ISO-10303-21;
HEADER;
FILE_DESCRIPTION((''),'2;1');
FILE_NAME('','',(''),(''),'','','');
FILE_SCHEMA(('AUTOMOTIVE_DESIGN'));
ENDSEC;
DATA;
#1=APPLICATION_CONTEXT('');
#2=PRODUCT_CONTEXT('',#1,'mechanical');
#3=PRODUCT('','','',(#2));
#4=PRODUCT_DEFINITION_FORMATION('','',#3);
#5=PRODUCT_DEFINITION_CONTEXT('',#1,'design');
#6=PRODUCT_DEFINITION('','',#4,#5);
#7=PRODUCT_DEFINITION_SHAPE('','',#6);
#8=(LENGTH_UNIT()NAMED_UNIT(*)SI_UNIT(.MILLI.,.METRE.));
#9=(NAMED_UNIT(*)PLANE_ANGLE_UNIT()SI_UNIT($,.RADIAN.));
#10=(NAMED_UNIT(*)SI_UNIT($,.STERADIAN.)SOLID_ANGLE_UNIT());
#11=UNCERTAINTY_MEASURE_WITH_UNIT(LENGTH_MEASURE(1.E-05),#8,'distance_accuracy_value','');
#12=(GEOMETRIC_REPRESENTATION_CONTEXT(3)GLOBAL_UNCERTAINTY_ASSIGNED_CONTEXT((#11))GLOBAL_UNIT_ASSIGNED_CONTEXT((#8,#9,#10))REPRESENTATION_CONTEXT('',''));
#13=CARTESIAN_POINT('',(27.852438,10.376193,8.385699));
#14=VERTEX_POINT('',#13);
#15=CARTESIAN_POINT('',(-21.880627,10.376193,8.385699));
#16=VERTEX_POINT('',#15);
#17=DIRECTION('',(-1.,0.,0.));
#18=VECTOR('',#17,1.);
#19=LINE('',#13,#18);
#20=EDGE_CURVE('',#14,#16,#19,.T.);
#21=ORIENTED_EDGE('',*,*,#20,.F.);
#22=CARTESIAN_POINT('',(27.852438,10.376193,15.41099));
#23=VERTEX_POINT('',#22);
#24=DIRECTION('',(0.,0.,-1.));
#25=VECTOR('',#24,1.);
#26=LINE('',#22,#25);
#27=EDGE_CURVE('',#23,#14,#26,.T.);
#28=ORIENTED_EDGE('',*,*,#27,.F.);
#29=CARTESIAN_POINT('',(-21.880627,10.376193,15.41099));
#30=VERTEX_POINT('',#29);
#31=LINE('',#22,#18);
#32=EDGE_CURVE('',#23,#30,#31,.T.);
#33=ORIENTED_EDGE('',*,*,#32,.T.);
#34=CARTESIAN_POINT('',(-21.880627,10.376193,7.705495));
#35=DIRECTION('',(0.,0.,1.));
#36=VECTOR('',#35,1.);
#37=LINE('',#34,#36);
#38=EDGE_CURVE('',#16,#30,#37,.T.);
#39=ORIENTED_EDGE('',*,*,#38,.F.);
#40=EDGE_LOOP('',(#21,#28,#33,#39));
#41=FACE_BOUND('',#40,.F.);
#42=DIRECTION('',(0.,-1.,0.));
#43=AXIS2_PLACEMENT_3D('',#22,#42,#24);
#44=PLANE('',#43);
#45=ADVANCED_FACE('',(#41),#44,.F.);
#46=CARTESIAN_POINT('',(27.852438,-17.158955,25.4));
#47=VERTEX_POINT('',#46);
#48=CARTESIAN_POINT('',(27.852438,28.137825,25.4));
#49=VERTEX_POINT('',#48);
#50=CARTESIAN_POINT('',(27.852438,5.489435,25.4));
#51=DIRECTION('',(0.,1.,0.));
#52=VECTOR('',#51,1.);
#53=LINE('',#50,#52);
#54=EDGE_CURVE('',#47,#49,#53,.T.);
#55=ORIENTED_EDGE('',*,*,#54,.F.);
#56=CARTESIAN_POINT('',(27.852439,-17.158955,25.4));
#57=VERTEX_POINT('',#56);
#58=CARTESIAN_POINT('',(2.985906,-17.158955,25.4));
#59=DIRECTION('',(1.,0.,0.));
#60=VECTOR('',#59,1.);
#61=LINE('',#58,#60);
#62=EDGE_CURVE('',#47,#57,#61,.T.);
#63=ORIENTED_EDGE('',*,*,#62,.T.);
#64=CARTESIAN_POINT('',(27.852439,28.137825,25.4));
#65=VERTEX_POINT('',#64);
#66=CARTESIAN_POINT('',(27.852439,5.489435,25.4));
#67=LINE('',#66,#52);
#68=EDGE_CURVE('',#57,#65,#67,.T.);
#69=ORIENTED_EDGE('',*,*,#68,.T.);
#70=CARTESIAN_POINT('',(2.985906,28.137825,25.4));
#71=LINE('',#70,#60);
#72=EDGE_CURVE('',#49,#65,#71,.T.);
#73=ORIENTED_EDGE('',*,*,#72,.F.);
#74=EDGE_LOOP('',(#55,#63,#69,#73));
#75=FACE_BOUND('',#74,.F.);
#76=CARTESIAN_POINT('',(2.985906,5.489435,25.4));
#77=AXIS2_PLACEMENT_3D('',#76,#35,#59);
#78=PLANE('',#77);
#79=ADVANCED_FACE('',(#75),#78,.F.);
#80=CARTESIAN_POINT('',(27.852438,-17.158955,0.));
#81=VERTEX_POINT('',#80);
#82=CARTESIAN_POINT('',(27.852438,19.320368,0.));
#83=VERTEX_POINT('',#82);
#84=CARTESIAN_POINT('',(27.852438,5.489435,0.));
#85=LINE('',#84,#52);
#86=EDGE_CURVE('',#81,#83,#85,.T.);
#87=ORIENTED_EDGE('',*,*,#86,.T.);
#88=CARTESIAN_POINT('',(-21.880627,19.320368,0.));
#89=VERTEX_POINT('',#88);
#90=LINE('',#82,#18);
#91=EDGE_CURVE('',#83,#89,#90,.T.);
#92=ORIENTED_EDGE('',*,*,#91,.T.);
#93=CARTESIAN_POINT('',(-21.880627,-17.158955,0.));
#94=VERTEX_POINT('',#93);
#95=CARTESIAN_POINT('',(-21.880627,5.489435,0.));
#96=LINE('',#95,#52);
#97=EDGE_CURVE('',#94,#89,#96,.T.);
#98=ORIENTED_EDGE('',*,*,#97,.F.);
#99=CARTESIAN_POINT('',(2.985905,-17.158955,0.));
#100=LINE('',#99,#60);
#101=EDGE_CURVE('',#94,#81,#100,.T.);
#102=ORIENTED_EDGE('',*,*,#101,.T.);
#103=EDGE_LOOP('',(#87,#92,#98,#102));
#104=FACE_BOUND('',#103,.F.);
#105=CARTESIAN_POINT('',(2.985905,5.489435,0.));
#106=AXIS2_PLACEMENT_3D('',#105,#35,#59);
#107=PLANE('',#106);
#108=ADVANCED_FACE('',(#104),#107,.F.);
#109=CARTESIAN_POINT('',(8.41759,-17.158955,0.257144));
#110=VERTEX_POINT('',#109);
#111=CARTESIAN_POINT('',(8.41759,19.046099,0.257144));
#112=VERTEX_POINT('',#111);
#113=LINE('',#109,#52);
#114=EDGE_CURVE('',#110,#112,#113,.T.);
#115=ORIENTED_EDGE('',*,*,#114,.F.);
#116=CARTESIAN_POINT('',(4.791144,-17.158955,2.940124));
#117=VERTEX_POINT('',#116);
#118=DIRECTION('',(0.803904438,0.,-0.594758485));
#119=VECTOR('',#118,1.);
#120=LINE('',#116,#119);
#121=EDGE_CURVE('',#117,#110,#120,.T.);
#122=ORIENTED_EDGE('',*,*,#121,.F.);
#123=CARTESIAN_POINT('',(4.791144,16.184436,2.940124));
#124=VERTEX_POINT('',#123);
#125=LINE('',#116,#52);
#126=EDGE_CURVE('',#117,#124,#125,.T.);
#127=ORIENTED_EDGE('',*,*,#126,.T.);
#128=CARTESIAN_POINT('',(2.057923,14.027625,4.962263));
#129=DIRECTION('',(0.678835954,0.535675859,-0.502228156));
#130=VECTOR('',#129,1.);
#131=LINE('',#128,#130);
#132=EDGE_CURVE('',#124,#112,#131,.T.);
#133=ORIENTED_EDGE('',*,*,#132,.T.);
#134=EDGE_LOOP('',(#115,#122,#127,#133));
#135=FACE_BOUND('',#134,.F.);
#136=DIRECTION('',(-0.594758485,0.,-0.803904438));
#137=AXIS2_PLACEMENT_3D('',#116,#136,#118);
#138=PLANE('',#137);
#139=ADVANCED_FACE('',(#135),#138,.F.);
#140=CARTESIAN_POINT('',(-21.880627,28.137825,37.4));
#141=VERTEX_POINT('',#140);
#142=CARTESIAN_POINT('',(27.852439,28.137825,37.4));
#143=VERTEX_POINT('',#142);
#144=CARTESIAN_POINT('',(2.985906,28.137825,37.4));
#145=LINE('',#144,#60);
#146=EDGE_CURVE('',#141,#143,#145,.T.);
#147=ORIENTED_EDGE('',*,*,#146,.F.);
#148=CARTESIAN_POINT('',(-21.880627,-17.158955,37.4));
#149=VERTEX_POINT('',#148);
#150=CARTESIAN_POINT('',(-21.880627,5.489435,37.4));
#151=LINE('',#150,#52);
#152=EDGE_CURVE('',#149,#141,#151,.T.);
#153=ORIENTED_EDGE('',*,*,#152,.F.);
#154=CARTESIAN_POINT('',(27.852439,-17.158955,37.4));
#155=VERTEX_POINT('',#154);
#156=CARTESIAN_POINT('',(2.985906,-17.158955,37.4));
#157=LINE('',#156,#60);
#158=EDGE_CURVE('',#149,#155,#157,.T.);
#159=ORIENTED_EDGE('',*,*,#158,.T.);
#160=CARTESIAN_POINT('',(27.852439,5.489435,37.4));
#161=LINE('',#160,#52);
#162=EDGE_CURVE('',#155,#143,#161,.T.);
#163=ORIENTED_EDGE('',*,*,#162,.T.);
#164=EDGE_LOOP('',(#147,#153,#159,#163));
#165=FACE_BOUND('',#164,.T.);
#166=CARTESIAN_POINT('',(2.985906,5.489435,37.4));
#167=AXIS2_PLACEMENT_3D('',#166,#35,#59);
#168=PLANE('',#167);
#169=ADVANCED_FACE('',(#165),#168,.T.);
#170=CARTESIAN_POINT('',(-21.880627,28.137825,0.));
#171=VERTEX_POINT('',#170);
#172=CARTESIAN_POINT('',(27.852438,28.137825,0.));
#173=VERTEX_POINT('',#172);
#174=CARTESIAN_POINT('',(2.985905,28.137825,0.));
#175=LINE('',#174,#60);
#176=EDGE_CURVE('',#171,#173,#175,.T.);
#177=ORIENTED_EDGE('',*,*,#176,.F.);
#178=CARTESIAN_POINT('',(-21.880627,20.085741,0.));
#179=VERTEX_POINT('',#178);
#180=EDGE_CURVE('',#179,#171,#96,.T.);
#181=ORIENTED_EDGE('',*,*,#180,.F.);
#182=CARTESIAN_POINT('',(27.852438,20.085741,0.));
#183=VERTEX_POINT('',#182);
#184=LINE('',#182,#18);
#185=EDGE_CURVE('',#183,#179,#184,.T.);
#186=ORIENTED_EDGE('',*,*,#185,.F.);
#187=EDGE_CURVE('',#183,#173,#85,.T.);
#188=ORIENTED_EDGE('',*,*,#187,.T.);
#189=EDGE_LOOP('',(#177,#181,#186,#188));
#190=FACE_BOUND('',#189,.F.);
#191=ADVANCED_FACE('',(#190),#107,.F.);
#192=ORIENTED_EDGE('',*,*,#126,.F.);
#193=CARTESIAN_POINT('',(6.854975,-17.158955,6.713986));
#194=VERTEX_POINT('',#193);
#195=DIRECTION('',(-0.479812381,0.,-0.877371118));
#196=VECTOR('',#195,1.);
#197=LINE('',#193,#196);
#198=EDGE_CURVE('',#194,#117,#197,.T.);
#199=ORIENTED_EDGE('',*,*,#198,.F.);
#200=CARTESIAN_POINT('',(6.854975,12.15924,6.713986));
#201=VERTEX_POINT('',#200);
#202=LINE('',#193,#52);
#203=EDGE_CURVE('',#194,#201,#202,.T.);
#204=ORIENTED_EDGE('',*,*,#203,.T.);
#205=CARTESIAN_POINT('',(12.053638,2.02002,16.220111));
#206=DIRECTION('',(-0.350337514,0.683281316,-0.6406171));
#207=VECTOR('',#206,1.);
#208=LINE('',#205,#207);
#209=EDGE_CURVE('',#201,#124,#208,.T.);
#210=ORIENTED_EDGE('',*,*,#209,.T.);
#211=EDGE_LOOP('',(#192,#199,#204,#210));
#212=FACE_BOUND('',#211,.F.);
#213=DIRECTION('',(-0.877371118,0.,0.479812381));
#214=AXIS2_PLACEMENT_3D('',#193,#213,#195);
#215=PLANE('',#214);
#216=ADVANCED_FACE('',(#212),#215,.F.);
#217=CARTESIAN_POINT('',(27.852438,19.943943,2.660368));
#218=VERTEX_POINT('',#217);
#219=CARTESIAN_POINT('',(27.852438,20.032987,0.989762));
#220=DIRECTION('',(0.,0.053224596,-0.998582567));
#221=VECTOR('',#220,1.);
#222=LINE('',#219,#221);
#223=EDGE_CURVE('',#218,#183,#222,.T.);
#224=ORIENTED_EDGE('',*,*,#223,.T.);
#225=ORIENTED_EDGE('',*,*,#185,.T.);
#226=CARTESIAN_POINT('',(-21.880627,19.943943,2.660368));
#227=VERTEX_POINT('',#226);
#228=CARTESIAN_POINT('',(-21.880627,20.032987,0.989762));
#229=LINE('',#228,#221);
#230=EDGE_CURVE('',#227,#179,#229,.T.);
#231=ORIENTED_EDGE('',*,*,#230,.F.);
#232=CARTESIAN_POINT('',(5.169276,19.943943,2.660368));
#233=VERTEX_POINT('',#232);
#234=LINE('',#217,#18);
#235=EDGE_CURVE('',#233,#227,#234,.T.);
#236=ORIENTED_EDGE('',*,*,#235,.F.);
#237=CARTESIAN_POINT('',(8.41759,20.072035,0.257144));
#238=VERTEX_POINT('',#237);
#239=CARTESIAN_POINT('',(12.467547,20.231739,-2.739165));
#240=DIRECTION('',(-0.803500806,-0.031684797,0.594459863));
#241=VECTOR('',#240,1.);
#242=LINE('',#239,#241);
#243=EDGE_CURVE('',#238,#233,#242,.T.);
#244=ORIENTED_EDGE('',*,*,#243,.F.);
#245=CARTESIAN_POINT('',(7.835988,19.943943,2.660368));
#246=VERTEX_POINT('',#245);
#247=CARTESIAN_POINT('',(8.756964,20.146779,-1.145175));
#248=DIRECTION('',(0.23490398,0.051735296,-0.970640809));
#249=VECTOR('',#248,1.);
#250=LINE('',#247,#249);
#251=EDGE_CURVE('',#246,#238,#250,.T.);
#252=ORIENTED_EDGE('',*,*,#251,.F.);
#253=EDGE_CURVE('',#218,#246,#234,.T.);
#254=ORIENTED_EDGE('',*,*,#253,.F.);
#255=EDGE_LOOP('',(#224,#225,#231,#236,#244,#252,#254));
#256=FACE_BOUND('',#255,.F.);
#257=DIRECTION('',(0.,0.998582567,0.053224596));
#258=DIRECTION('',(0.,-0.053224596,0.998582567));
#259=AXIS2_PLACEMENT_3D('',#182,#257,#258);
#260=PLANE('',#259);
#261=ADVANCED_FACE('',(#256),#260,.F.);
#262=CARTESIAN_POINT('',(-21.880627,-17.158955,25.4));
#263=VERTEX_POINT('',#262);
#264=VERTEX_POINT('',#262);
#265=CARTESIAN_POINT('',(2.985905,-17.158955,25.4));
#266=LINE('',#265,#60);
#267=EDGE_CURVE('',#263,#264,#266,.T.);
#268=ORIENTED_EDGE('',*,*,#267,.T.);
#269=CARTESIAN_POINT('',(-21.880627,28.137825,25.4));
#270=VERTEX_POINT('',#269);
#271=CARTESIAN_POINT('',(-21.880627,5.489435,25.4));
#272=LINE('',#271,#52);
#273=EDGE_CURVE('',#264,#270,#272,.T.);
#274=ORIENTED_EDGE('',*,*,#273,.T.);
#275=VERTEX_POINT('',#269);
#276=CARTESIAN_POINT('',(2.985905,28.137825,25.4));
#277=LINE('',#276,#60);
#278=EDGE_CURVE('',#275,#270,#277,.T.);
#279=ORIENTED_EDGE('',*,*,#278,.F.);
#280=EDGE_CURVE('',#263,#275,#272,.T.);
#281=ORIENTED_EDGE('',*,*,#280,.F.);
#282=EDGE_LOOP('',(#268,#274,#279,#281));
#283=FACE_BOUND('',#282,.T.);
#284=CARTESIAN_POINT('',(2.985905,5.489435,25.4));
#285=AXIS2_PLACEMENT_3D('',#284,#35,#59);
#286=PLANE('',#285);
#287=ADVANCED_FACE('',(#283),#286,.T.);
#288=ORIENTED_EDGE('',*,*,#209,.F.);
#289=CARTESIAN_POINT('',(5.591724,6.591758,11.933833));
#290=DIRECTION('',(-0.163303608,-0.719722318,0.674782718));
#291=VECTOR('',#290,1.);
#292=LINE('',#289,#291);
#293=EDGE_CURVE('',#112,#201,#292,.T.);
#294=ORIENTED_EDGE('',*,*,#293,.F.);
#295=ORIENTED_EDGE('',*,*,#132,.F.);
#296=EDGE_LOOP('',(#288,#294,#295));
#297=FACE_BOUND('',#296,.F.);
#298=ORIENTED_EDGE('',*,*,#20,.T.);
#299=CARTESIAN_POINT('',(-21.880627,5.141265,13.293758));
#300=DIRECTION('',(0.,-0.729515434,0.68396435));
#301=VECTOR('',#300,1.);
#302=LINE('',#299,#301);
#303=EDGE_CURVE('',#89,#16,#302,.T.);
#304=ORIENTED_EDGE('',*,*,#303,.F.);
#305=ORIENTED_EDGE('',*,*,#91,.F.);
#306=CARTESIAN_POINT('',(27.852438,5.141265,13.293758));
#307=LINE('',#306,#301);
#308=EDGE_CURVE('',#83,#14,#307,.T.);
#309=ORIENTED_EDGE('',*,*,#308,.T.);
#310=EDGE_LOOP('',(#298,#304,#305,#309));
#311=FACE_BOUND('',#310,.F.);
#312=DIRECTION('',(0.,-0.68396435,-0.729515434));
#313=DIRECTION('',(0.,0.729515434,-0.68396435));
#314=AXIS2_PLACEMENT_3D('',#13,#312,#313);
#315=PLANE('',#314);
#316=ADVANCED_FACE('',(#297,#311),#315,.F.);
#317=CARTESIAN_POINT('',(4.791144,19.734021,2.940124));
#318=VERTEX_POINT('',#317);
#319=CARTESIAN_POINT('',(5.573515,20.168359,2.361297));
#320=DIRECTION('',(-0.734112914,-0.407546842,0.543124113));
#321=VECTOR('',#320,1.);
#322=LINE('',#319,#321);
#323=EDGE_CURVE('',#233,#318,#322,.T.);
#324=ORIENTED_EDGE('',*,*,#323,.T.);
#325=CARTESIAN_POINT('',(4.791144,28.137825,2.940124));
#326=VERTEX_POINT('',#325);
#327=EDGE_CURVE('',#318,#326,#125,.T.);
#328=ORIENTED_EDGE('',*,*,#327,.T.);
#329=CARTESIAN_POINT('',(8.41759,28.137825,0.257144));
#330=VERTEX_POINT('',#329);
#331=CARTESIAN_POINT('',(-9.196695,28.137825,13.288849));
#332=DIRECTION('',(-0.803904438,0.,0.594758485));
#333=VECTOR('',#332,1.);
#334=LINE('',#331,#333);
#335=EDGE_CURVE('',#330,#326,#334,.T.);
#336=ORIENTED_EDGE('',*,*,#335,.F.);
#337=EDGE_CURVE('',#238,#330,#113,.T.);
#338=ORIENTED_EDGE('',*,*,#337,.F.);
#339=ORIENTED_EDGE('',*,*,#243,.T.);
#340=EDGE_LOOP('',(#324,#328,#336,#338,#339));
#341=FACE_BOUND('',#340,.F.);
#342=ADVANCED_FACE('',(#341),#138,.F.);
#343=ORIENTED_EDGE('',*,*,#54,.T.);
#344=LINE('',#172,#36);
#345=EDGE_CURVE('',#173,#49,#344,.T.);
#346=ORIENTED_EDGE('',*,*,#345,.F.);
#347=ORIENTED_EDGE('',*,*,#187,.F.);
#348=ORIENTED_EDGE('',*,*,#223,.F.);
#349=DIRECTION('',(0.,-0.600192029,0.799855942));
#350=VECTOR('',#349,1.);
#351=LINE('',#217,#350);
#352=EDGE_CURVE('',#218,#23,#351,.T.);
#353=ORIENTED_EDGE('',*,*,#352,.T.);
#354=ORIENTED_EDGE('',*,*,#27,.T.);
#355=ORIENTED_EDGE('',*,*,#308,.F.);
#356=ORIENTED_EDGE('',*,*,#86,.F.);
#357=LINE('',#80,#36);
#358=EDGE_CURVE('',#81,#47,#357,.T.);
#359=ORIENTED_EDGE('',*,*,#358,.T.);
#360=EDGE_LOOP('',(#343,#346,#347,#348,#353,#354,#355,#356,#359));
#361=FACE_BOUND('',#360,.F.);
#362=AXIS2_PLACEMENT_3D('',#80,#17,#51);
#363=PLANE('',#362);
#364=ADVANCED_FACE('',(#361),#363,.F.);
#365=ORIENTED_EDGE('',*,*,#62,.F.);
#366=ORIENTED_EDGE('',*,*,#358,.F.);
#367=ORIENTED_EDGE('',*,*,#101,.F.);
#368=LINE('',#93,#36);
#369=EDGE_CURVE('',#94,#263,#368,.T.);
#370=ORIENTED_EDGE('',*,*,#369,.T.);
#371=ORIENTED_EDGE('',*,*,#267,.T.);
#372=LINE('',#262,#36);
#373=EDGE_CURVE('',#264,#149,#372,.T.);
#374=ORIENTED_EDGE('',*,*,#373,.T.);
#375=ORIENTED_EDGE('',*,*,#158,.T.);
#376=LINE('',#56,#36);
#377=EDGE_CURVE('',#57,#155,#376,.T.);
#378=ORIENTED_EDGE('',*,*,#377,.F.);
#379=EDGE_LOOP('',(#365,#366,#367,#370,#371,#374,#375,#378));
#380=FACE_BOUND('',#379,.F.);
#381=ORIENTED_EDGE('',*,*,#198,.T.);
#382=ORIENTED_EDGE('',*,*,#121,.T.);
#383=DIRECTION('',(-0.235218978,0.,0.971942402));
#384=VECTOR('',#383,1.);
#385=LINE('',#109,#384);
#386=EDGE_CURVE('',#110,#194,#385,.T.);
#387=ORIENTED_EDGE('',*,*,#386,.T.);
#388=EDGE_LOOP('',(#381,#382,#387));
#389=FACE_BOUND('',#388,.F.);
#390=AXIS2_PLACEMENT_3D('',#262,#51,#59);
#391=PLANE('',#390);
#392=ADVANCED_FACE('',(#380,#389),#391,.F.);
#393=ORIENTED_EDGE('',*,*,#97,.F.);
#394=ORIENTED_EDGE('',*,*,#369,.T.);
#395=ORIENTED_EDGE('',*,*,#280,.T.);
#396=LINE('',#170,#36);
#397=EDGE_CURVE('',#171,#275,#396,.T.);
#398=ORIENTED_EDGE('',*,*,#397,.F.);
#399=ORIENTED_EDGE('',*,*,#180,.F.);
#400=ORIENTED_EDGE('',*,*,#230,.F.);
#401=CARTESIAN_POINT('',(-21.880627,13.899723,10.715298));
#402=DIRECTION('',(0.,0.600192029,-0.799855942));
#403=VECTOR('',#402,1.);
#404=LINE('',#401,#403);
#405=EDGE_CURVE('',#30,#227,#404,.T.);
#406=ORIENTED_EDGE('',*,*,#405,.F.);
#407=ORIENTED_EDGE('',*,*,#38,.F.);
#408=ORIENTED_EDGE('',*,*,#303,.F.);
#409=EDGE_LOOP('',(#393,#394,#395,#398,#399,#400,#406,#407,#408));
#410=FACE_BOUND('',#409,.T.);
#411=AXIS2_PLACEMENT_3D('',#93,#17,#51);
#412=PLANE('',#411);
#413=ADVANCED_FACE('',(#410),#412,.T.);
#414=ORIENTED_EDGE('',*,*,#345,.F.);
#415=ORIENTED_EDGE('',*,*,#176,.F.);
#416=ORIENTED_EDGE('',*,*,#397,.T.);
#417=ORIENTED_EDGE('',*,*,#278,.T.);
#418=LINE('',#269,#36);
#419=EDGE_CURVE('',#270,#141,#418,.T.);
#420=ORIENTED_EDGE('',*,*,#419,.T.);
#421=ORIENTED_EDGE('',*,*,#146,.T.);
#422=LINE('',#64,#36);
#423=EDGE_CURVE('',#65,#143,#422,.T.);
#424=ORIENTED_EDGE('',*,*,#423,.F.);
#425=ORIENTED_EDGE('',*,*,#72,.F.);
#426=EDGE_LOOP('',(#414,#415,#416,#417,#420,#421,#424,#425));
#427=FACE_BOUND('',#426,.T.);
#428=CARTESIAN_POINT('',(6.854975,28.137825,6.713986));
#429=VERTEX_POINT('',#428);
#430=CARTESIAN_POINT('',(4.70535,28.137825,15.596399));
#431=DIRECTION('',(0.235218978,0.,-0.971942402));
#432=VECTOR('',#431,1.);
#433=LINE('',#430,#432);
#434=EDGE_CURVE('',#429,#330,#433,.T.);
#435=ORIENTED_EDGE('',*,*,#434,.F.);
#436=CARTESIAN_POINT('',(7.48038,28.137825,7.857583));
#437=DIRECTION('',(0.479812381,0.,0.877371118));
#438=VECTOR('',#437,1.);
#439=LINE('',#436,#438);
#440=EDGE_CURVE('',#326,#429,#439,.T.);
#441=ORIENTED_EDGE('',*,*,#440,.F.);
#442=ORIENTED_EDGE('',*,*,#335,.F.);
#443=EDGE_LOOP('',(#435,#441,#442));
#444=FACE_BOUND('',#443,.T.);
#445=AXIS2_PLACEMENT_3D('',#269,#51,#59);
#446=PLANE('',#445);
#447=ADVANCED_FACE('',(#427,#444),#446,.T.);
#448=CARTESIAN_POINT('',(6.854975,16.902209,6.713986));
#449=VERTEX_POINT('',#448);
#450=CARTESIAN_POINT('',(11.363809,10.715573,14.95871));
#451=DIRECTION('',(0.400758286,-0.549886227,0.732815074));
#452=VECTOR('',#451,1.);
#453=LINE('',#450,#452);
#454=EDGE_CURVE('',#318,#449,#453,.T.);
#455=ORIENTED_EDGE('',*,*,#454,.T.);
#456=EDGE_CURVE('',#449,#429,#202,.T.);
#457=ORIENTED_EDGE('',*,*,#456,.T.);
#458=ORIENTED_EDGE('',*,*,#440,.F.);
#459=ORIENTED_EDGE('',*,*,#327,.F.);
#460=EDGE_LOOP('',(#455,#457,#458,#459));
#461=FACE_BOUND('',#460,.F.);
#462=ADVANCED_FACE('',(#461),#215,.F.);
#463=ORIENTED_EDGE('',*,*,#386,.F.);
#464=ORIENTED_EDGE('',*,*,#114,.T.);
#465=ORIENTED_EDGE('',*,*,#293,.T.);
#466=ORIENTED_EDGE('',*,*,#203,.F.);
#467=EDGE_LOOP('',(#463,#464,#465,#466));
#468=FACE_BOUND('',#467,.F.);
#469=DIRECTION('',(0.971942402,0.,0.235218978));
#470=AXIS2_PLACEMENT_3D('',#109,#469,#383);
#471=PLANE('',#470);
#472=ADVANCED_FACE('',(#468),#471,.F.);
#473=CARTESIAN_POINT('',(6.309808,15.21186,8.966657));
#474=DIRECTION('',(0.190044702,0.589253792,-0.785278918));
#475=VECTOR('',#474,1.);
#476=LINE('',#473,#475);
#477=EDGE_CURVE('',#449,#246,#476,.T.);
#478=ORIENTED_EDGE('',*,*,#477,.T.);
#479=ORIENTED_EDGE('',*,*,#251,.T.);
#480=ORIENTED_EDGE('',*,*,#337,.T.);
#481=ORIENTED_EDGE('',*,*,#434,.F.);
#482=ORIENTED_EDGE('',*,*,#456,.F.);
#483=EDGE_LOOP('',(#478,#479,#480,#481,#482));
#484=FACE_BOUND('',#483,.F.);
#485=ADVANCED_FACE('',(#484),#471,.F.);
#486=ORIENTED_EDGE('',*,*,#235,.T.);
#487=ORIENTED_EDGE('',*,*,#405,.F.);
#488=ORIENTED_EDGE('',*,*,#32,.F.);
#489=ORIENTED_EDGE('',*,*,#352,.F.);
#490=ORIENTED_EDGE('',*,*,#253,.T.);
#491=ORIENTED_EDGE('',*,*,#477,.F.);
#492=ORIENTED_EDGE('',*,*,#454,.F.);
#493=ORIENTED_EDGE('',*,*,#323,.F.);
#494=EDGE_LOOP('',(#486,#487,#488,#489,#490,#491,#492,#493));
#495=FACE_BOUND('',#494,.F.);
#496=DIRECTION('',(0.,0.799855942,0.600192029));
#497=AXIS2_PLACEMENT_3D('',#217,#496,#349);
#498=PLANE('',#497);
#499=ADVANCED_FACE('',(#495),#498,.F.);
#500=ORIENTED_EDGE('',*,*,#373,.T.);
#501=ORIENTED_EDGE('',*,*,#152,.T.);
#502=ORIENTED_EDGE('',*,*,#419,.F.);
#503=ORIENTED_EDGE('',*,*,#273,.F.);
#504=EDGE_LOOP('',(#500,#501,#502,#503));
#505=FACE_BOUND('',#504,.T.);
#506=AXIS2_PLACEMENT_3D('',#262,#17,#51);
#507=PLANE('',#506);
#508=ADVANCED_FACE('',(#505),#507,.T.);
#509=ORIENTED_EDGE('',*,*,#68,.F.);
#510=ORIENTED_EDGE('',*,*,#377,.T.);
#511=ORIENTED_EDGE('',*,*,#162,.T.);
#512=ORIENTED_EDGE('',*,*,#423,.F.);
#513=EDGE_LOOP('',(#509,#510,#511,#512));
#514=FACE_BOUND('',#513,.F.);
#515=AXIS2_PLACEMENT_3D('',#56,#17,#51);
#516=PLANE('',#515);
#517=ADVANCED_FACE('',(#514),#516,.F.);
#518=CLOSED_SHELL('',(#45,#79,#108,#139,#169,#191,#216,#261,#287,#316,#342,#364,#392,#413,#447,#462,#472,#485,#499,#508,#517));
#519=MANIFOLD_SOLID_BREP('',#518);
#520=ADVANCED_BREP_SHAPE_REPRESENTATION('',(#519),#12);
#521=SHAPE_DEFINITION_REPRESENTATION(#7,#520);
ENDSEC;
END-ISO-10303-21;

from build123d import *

# Parameters (mm, degrees)
F0_W      = 49.733065
F0_H      = 45.29678
F1_DEPTH  = 25.4
F1_FACE_W = 49.733066
F1_FACE_H = 45.29678
F2_DEPTH  = 12
F5_DEPTH  = 49.734065
F7_DEPTH  = 45.297781


with BuildPart() as f1:
    # F0 (on Top) → F1 (new body)
    with BuildSketch(Plane.XY):
        with Locations((2.985905, 5.489435)):
            Rectangle(F0_W, F0_H)
    extrude(amount=F1_DEPTH)

    # F1_face (on face) → F2 (join)
    with BuildSketch(Plane(origin=(2.985906, 5.489435, 25.4), x_dir=(1, 0, 0), z_dir=(0, 0, 1))):
        Rectangle(F1_FACE_W, F1_FACE_H)
    extrude(amount=F2_DEPTH)

    # F4 (on face) → F5 (cut, through all)
    with BuildSketch(Plane.YZ.offset(27.852438)):
        Polygon((10.376193, 15.41099), (10.376193, 8.385699), (19.320368, 0), (20.085741, 0), (19.943943, 2.660368), align=None)
    extrude(amount=-F5_DEPTH, mode=Mode.SUBTRACT)

    # F6 (on face) → F7 (cut, through all)
    with BuildSketch(Plane.XZ.offset(17.158955)):
        Polygon((6.854975, 6.713986), (4.791144, 2.940124), (8.41759, 0.257144), align=None)
    extrude(amount=-F7_DEPTH, mode=Mode.SUBTRACT)


solid = f1.part
